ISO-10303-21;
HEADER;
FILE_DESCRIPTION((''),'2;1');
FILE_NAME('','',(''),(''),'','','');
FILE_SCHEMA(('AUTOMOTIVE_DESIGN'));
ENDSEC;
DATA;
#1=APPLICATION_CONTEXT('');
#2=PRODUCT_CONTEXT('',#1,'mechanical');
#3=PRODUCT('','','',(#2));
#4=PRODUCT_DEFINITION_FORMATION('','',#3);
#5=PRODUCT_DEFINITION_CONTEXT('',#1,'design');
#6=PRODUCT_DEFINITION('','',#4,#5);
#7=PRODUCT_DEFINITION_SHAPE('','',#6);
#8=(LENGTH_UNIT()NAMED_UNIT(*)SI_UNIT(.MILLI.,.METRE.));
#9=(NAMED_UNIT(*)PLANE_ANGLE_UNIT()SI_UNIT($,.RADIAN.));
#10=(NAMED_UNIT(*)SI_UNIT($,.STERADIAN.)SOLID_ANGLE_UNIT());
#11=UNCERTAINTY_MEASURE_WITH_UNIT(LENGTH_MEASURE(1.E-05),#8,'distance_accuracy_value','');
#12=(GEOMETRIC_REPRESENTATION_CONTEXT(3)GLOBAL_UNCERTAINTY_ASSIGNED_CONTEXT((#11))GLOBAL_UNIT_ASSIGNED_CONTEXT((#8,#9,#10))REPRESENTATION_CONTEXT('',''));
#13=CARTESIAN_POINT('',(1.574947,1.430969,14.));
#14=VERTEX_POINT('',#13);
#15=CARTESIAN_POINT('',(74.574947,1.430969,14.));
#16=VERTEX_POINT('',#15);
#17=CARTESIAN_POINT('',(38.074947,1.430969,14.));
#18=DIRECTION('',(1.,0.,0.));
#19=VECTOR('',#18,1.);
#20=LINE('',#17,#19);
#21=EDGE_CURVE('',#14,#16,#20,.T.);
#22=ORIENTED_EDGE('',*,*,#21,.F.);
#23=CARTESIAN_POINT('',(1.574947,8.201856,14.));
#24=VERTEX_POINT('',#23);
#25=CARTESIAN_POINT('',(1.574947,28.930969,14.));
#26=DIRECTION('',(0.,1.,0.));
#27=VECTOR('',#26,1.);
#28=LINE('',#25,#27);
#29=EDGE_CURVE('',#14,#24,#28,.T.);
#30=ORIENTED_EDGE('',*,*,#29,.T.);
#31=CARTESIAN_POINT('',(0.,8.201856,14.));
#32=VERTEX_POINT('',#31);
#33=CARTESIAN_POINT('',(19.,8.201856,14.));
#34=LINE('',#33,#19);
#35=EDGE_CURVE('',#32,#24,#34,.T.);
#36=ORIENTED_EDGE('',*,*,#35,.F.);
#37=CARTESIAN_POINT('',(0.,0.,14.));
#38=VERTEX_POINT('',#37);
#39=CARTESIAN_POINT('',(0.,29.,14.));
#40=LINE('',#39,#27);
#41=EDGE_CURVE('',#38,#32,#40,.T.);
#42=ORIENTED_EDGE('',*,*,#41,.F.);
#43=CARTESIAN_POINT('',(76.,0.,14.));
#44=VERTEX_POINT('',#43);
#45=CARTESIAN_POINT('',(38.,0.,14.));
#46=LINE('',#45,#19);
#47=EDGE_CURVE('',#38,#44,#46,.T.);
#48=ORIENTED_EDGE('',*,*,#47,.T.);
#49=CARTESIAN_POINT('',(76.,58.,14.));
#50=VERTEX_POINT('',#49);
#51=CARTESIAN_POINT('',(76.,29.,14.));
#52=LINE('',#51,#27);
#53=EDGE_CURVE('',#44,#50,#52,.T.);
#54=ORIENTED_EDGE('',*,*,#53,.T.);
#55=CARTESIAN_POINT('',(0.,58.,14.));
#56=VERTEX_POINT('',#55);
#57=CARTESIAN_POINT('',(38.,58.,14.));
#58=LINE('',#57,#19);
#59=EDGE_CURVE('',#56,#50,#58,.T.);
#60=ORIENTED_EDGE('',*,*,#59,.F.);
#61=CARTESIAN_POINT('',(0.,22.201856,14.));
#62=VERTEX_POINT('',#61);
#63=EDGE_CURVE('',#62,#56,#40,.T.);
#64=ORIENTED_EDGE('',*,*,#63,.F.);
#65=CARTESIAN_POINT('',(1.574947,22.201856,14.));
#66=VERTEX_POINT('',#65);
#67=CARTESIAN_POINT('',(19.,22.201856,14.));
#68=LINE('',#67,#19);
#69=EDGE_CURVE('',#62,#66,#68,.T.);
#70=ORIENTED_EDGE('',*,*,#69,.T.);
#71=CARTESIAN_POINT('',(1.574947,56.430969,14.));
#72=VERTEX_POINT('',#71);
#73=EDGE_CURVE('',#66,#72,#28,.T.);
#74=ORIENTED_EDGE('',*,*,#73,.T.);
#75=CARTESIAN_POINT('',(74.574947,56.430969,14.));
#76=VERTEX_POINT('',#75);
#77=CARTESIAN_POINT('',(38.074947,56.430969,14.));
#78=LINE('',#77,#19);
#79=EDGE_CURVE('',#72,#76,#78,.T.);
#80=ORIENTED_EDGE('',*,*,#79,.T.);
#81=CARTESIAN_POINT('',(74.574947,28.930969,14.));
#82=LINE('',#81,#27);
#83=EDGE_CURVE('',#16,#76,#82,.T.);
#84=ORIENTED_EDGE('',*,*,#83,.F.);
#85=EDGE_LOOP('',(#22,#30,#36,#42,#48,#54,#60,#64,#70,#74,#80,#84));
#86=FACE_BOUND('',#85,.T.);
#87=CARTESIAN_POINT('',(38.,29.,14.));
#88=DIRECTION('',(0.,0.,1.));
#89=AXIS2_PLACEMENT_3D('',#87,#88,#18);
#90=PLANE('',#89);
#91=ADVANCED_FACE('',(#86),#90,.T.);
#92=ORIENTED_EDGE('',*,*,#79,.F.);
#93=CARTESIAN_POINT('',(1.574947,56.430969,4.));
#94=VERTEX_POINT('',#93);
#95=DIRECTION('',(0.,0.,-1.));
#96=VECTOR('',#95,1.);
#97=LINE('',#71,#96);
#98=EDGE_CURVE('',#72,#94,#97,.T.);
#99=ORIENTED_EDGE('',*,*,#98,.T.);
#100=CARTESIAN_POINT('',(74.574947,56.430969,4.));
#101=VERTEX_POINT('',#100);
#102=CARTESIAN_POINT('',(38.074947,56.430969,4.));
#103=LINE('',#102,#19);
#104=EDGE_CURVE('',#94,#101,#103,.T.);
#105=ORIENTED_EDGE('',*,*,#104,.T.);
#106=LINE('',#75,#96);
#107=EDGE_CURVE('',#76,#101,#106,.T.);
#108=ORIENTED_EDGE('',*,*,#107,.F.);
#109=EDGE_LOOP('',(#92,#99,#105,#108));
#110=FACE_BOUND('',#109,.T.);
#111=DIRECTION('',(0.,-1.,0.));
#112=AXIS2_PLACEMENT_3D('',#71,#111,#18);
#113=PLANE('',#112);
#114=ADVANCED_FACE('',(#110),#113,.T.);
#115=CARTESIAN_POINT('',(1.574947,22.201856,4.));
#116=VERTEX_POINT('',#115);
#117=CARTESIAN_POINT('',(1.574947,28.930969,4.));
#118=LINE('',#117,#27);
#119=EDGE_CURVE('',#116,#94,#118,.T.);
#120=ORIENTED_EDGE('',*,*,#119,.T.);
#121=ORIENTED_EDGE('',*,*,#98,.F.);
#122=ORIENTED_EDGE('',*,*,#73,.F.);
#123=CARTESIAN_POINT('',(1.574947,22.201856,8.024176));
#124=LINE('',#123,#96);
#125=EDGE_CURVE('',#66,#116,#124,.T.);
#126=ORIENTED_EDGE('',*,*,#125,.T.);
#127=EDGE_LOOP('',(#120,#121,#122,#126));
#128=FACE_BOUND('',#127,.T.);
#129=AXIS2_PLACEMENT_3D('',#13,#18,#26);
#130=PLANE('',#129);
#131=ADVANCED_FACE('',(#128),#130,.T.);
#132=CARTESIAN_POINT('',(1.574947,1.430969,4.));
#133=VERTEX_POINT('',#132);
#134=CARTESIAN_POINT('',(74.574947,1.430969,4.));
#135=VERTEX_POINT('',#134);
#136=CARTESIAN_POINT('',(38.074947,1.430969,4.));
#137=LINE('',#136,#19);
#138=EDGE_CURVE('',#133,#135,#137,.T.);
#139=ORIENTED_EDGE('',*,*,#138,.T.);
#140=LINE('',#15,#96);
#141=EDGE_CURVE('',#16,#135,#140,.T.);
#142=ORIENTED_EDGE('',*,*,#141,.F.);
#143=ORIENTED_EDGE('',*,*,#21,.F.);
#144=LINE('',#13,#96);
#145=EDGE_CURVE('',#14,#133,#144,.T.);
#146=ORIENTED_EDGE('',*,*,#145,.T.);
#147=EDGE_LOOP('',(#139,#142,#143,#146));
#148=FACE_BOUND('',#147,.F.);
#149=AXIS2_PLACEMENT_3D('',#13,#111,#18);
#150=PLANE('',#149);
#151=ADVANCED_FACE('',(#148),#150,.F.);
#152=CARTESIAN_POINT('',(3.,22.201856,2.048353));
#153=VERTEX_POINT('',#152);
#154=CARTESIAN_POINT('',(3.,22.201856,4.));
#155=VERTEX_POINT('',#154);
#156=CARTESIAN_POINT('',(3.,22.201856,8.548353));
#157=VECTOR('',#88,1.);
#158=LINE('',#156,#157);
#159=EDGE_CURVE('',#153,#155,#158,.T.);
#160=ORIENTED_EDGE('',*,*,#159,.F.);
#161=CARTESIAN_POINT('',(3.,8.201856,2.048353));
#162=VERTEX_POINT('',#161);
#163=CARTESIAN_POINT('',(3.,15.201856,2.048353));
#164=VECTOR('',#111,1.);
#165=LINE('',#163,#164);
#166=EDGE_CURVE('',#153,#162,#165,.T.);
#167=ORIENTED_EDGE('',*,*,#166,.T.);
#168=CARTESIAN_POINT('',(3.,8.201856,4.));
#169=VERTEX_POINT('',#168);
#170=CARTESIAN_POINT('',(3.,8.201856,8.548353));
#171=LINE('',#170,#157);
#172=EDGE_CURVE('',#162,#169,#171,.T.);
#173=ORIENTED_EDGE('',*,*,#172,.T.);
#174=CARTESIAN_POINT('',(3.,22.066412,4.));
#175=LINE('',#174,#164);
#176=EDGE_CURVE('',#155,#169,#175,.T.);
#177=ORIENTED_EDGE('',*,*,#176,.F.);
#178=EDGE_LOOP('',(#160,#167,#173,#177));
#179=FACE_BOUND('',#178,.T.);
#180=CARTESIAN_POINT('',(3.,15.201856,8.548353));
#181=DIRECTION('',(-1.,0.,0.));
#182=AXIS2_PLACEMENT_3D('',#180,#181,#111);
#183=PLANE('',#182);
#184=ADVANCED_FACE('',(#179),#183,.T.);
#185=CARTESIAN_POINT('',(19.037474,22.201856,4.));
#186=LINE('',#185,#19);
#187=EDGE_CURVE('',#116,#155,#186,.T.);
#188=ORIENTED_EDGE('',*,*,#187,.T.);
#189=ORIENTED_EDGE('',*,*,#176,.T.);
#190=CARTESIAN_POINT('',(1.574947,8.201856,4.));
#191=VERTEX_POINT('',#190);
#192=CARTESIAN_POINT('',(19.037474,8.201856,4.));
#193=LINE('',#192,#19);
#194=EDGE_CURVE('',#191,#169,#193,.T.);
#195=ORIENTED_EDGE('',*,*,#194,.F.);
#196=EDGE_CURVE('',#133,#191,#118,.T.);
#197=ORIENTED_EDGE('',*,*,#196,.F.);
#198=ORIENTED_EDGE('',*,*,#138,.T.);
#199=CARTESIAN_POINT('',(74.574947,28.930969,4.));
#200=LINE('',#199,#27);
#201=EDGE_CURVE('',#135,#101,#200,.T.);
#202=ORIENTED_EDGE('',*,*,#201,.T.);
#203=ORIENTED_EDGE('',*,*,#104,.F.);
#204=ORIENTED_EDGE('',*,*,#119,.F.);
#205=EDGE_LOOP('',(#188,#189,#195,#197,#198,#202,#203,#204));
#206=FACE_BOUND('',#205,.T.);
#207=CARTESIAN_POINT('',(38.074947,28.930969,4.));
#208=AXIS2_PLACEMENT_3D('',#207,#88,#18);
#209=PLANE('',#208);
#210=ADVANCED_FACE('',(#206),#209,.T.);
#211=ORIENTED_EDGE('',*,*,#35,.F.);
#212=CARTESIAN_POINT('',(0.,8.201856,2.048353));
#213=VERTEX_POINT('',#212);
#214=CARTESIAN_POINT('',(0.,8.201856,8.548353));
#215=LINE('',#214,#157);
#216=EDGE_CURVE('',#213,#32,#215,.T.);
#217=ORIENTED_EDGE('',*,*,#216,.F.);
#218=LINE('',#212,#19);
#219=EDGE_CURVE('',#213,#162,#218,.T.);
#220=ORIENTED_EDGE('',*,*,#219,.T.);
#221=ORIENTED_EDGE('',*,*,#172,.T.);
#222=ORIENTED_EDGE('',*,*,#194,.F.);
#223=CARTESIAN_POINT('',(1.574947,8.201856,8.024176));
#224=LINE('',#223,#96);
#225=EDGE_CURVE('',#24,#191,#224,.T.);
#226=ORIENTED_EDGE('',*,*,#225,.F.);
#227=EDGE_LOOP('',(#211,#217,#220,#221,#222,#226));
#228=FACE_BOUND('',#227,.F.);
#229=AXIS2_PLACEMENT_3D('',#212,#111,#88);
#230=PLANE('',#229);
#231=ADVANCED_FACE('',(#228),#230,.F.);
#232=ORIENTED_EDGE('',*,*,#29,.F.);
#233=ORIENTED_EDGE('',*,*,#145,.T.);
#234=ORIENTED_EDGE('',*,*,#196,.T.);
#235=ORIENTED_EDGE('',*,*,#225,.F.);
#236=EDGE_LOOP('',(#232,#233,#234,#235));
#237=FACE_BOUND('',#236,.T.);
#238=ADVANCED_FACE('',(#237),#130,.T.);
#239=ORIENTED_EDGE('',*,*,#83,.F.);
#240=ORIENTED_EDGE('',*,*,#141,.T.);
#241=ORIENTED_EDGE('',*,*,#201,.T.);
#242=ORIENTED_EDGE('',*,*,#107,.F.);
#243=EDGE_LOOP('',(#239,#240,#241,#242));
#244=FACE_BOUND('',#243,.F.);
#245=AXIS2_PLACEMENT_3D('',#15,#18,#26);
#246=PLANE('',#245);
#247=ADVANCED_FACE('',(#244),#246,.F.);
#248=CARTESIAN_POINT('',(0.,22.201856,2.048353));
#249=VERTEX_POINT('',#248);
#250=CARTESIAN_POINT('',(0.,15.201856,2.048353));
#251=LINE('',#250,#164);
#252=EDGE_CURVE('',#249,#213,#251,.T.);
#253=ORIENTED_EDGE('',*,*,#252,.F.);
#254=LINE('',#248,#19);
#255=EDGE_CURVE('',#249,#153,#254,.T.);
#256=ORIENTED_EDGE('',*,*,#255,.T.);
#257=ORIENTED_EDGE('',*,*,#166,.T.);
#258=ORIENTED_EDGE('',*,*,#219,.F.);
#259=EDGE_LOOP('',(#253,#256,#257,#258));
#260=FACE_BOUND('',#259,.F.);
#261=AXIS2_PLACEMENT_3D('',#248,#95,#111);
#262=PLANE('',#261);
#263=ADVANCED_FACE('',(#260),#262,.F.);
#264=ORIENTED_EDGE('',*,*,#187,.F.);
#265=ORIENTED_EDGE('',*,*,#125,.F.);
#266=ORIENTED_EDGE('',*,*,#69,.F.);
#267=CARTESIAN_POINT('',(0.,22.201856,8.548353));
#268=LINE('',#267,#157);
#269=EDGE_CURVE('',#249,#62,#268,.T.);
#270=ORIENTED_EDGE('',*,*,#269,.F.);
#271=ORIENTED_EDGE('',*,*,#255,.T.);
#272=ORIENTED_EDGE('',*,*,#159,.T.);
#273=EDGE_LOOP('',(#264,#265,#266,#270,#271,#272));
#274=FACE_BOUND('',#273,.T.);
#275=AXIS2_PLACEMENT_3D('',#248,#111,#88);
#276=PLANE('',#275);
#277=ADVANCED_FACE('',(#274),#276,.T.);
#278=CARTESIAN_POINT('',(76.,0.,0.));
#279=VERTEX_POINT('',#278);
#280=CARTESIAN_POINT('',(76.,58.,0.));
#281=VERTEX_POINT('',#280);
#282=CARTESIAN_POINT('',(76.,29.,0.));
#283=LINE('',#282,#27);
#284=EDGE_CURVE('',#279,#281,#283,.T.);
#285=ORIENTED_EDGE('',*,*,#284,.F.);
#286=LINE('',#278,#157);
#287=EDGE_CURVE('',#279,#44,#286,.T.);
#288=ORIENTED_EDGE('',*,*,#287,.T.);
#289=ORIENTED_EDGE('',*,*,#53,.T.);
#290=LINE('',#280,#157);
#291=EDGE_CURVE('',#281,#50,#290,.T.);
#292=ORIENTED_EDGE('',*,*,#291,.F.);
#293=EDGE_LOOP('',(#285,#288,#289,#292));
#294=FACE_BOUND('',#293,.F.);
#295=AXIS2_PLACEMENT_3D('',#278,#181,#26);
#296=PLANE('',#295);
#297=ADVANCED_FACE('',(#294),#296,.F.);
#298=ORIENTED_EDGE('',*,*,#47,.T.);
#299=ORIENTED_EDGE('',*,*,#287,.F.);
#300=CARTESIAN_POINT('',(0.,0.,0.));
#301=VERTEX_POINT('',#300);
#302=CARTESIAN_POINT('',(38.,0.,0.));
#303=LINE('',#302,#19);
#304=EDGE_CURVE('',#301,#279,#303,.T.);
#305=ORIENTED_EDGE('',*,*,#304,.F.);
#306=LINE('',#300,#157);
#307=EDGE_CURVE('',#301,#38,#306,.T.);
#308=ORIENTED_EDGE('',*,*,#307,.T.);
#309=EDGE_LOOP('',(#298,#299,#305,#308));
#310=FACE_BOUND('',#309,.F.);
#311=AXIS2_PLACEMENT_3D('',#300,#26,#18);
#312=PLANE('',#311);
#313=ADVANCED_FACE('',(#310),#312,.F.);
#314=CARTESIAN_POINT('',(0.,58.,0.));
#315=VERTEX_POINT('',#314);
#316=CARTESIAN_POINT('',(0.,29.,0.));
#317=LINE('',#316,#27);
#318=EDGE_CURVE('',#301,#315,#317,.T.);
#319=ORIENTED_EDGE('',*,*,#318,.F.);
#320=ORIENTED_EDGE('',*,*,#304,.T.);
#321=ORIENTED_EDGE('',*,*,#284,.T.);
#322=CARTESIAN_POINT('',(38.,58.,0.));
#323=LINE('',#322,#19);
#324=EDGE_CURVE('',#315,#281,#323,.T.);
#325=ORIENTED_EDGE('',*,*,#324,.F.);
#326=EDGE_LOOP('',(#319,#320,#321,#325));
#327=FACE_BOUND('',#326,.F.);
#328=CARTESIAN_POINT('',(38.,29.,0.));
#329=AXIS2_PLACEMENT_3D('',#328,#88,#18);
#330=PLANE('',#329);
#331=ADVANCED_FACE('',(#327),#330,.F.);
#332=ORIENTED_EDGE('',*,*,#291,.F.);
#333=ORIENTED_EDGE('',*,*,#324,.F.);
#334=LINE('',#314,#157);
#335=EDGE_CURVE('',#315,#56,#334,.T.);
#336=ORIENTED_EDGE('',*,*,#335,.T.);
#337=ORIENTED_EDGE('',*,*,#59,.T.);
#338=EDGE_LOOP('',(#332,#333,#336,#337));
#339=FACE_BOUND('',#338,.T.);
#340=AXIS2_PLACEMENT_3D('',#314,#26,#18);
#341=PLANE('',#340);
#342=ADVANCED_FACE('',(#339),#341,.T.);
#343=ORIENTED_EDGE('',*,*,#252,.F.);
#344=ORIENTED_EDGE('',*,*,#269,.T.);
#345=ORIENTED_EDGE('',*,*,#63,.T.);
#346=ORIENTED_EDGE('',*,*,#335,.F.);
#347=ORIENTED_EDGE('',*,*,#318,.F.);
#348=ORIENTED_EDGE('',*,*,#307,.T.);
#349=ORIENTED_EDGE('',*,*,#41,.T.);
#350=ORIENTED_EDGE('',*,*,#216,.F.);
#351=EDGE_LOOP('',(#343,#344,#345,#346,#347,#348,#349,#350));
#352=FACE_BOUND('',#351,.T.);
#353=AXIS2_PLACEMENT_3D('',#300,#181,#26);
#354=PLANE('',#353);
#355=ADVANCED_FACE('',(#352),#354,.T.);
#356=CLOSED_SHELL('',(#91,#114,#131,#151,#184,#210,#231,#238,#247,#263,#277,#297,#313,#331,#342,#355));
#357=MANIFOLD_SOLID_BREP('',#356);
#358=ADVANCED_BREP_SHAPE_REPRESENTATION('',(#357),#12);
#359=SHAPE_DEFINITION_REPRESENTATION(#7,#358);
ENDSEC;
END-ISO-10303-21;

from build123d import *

# Parameters (mm, degrees)
BOX_W           = 76
BOX_H           = 58
BOX_DEPTH       = 14
SKETCH_W        = 73
SKETCH_H        = 55
POCKET_DEPTH    = 10
SKETCH001_W     = 14
SKETCH001_H     = 13
POCKET001_DEPTH = 3


with BuildPart() as part:
    # Box → Box (new body)
    with BuildSketch(Plane.XY):
        with Locations((38, 29)):
            Rectangle(BOX_W, BOX_H)
    extrude(amount=BOX_DEPTH)

    # Sketch (on Face6 of BaseFeature) → Pocket (cut)
    with BuildSketch(Plane.XY.offset(14)):
        with Locations((38.074947, 28.930969)):
            Rectangle(SKETCH_W, SKETCH_H)
    extrude(amount=-POCKET_DEPTH, mode=Mode.SUBTRACT)

    # Sketch001 (on Face1 of Pocket) → Pocket001 (cut)
    with BuildSketch(Plane(origin=(0, 0, 0), x_dir=(0, -1, 0), z_dir=(-1, 0, 0))):
        with Locations((-15.201856, 8.548353)):
            Rectangle(SKETCH001_W, SKETCH001_H)
    extrude(amount=-POCKET001_DEPTH, mode=Mode.SUBTRACT)


solid = part.part
